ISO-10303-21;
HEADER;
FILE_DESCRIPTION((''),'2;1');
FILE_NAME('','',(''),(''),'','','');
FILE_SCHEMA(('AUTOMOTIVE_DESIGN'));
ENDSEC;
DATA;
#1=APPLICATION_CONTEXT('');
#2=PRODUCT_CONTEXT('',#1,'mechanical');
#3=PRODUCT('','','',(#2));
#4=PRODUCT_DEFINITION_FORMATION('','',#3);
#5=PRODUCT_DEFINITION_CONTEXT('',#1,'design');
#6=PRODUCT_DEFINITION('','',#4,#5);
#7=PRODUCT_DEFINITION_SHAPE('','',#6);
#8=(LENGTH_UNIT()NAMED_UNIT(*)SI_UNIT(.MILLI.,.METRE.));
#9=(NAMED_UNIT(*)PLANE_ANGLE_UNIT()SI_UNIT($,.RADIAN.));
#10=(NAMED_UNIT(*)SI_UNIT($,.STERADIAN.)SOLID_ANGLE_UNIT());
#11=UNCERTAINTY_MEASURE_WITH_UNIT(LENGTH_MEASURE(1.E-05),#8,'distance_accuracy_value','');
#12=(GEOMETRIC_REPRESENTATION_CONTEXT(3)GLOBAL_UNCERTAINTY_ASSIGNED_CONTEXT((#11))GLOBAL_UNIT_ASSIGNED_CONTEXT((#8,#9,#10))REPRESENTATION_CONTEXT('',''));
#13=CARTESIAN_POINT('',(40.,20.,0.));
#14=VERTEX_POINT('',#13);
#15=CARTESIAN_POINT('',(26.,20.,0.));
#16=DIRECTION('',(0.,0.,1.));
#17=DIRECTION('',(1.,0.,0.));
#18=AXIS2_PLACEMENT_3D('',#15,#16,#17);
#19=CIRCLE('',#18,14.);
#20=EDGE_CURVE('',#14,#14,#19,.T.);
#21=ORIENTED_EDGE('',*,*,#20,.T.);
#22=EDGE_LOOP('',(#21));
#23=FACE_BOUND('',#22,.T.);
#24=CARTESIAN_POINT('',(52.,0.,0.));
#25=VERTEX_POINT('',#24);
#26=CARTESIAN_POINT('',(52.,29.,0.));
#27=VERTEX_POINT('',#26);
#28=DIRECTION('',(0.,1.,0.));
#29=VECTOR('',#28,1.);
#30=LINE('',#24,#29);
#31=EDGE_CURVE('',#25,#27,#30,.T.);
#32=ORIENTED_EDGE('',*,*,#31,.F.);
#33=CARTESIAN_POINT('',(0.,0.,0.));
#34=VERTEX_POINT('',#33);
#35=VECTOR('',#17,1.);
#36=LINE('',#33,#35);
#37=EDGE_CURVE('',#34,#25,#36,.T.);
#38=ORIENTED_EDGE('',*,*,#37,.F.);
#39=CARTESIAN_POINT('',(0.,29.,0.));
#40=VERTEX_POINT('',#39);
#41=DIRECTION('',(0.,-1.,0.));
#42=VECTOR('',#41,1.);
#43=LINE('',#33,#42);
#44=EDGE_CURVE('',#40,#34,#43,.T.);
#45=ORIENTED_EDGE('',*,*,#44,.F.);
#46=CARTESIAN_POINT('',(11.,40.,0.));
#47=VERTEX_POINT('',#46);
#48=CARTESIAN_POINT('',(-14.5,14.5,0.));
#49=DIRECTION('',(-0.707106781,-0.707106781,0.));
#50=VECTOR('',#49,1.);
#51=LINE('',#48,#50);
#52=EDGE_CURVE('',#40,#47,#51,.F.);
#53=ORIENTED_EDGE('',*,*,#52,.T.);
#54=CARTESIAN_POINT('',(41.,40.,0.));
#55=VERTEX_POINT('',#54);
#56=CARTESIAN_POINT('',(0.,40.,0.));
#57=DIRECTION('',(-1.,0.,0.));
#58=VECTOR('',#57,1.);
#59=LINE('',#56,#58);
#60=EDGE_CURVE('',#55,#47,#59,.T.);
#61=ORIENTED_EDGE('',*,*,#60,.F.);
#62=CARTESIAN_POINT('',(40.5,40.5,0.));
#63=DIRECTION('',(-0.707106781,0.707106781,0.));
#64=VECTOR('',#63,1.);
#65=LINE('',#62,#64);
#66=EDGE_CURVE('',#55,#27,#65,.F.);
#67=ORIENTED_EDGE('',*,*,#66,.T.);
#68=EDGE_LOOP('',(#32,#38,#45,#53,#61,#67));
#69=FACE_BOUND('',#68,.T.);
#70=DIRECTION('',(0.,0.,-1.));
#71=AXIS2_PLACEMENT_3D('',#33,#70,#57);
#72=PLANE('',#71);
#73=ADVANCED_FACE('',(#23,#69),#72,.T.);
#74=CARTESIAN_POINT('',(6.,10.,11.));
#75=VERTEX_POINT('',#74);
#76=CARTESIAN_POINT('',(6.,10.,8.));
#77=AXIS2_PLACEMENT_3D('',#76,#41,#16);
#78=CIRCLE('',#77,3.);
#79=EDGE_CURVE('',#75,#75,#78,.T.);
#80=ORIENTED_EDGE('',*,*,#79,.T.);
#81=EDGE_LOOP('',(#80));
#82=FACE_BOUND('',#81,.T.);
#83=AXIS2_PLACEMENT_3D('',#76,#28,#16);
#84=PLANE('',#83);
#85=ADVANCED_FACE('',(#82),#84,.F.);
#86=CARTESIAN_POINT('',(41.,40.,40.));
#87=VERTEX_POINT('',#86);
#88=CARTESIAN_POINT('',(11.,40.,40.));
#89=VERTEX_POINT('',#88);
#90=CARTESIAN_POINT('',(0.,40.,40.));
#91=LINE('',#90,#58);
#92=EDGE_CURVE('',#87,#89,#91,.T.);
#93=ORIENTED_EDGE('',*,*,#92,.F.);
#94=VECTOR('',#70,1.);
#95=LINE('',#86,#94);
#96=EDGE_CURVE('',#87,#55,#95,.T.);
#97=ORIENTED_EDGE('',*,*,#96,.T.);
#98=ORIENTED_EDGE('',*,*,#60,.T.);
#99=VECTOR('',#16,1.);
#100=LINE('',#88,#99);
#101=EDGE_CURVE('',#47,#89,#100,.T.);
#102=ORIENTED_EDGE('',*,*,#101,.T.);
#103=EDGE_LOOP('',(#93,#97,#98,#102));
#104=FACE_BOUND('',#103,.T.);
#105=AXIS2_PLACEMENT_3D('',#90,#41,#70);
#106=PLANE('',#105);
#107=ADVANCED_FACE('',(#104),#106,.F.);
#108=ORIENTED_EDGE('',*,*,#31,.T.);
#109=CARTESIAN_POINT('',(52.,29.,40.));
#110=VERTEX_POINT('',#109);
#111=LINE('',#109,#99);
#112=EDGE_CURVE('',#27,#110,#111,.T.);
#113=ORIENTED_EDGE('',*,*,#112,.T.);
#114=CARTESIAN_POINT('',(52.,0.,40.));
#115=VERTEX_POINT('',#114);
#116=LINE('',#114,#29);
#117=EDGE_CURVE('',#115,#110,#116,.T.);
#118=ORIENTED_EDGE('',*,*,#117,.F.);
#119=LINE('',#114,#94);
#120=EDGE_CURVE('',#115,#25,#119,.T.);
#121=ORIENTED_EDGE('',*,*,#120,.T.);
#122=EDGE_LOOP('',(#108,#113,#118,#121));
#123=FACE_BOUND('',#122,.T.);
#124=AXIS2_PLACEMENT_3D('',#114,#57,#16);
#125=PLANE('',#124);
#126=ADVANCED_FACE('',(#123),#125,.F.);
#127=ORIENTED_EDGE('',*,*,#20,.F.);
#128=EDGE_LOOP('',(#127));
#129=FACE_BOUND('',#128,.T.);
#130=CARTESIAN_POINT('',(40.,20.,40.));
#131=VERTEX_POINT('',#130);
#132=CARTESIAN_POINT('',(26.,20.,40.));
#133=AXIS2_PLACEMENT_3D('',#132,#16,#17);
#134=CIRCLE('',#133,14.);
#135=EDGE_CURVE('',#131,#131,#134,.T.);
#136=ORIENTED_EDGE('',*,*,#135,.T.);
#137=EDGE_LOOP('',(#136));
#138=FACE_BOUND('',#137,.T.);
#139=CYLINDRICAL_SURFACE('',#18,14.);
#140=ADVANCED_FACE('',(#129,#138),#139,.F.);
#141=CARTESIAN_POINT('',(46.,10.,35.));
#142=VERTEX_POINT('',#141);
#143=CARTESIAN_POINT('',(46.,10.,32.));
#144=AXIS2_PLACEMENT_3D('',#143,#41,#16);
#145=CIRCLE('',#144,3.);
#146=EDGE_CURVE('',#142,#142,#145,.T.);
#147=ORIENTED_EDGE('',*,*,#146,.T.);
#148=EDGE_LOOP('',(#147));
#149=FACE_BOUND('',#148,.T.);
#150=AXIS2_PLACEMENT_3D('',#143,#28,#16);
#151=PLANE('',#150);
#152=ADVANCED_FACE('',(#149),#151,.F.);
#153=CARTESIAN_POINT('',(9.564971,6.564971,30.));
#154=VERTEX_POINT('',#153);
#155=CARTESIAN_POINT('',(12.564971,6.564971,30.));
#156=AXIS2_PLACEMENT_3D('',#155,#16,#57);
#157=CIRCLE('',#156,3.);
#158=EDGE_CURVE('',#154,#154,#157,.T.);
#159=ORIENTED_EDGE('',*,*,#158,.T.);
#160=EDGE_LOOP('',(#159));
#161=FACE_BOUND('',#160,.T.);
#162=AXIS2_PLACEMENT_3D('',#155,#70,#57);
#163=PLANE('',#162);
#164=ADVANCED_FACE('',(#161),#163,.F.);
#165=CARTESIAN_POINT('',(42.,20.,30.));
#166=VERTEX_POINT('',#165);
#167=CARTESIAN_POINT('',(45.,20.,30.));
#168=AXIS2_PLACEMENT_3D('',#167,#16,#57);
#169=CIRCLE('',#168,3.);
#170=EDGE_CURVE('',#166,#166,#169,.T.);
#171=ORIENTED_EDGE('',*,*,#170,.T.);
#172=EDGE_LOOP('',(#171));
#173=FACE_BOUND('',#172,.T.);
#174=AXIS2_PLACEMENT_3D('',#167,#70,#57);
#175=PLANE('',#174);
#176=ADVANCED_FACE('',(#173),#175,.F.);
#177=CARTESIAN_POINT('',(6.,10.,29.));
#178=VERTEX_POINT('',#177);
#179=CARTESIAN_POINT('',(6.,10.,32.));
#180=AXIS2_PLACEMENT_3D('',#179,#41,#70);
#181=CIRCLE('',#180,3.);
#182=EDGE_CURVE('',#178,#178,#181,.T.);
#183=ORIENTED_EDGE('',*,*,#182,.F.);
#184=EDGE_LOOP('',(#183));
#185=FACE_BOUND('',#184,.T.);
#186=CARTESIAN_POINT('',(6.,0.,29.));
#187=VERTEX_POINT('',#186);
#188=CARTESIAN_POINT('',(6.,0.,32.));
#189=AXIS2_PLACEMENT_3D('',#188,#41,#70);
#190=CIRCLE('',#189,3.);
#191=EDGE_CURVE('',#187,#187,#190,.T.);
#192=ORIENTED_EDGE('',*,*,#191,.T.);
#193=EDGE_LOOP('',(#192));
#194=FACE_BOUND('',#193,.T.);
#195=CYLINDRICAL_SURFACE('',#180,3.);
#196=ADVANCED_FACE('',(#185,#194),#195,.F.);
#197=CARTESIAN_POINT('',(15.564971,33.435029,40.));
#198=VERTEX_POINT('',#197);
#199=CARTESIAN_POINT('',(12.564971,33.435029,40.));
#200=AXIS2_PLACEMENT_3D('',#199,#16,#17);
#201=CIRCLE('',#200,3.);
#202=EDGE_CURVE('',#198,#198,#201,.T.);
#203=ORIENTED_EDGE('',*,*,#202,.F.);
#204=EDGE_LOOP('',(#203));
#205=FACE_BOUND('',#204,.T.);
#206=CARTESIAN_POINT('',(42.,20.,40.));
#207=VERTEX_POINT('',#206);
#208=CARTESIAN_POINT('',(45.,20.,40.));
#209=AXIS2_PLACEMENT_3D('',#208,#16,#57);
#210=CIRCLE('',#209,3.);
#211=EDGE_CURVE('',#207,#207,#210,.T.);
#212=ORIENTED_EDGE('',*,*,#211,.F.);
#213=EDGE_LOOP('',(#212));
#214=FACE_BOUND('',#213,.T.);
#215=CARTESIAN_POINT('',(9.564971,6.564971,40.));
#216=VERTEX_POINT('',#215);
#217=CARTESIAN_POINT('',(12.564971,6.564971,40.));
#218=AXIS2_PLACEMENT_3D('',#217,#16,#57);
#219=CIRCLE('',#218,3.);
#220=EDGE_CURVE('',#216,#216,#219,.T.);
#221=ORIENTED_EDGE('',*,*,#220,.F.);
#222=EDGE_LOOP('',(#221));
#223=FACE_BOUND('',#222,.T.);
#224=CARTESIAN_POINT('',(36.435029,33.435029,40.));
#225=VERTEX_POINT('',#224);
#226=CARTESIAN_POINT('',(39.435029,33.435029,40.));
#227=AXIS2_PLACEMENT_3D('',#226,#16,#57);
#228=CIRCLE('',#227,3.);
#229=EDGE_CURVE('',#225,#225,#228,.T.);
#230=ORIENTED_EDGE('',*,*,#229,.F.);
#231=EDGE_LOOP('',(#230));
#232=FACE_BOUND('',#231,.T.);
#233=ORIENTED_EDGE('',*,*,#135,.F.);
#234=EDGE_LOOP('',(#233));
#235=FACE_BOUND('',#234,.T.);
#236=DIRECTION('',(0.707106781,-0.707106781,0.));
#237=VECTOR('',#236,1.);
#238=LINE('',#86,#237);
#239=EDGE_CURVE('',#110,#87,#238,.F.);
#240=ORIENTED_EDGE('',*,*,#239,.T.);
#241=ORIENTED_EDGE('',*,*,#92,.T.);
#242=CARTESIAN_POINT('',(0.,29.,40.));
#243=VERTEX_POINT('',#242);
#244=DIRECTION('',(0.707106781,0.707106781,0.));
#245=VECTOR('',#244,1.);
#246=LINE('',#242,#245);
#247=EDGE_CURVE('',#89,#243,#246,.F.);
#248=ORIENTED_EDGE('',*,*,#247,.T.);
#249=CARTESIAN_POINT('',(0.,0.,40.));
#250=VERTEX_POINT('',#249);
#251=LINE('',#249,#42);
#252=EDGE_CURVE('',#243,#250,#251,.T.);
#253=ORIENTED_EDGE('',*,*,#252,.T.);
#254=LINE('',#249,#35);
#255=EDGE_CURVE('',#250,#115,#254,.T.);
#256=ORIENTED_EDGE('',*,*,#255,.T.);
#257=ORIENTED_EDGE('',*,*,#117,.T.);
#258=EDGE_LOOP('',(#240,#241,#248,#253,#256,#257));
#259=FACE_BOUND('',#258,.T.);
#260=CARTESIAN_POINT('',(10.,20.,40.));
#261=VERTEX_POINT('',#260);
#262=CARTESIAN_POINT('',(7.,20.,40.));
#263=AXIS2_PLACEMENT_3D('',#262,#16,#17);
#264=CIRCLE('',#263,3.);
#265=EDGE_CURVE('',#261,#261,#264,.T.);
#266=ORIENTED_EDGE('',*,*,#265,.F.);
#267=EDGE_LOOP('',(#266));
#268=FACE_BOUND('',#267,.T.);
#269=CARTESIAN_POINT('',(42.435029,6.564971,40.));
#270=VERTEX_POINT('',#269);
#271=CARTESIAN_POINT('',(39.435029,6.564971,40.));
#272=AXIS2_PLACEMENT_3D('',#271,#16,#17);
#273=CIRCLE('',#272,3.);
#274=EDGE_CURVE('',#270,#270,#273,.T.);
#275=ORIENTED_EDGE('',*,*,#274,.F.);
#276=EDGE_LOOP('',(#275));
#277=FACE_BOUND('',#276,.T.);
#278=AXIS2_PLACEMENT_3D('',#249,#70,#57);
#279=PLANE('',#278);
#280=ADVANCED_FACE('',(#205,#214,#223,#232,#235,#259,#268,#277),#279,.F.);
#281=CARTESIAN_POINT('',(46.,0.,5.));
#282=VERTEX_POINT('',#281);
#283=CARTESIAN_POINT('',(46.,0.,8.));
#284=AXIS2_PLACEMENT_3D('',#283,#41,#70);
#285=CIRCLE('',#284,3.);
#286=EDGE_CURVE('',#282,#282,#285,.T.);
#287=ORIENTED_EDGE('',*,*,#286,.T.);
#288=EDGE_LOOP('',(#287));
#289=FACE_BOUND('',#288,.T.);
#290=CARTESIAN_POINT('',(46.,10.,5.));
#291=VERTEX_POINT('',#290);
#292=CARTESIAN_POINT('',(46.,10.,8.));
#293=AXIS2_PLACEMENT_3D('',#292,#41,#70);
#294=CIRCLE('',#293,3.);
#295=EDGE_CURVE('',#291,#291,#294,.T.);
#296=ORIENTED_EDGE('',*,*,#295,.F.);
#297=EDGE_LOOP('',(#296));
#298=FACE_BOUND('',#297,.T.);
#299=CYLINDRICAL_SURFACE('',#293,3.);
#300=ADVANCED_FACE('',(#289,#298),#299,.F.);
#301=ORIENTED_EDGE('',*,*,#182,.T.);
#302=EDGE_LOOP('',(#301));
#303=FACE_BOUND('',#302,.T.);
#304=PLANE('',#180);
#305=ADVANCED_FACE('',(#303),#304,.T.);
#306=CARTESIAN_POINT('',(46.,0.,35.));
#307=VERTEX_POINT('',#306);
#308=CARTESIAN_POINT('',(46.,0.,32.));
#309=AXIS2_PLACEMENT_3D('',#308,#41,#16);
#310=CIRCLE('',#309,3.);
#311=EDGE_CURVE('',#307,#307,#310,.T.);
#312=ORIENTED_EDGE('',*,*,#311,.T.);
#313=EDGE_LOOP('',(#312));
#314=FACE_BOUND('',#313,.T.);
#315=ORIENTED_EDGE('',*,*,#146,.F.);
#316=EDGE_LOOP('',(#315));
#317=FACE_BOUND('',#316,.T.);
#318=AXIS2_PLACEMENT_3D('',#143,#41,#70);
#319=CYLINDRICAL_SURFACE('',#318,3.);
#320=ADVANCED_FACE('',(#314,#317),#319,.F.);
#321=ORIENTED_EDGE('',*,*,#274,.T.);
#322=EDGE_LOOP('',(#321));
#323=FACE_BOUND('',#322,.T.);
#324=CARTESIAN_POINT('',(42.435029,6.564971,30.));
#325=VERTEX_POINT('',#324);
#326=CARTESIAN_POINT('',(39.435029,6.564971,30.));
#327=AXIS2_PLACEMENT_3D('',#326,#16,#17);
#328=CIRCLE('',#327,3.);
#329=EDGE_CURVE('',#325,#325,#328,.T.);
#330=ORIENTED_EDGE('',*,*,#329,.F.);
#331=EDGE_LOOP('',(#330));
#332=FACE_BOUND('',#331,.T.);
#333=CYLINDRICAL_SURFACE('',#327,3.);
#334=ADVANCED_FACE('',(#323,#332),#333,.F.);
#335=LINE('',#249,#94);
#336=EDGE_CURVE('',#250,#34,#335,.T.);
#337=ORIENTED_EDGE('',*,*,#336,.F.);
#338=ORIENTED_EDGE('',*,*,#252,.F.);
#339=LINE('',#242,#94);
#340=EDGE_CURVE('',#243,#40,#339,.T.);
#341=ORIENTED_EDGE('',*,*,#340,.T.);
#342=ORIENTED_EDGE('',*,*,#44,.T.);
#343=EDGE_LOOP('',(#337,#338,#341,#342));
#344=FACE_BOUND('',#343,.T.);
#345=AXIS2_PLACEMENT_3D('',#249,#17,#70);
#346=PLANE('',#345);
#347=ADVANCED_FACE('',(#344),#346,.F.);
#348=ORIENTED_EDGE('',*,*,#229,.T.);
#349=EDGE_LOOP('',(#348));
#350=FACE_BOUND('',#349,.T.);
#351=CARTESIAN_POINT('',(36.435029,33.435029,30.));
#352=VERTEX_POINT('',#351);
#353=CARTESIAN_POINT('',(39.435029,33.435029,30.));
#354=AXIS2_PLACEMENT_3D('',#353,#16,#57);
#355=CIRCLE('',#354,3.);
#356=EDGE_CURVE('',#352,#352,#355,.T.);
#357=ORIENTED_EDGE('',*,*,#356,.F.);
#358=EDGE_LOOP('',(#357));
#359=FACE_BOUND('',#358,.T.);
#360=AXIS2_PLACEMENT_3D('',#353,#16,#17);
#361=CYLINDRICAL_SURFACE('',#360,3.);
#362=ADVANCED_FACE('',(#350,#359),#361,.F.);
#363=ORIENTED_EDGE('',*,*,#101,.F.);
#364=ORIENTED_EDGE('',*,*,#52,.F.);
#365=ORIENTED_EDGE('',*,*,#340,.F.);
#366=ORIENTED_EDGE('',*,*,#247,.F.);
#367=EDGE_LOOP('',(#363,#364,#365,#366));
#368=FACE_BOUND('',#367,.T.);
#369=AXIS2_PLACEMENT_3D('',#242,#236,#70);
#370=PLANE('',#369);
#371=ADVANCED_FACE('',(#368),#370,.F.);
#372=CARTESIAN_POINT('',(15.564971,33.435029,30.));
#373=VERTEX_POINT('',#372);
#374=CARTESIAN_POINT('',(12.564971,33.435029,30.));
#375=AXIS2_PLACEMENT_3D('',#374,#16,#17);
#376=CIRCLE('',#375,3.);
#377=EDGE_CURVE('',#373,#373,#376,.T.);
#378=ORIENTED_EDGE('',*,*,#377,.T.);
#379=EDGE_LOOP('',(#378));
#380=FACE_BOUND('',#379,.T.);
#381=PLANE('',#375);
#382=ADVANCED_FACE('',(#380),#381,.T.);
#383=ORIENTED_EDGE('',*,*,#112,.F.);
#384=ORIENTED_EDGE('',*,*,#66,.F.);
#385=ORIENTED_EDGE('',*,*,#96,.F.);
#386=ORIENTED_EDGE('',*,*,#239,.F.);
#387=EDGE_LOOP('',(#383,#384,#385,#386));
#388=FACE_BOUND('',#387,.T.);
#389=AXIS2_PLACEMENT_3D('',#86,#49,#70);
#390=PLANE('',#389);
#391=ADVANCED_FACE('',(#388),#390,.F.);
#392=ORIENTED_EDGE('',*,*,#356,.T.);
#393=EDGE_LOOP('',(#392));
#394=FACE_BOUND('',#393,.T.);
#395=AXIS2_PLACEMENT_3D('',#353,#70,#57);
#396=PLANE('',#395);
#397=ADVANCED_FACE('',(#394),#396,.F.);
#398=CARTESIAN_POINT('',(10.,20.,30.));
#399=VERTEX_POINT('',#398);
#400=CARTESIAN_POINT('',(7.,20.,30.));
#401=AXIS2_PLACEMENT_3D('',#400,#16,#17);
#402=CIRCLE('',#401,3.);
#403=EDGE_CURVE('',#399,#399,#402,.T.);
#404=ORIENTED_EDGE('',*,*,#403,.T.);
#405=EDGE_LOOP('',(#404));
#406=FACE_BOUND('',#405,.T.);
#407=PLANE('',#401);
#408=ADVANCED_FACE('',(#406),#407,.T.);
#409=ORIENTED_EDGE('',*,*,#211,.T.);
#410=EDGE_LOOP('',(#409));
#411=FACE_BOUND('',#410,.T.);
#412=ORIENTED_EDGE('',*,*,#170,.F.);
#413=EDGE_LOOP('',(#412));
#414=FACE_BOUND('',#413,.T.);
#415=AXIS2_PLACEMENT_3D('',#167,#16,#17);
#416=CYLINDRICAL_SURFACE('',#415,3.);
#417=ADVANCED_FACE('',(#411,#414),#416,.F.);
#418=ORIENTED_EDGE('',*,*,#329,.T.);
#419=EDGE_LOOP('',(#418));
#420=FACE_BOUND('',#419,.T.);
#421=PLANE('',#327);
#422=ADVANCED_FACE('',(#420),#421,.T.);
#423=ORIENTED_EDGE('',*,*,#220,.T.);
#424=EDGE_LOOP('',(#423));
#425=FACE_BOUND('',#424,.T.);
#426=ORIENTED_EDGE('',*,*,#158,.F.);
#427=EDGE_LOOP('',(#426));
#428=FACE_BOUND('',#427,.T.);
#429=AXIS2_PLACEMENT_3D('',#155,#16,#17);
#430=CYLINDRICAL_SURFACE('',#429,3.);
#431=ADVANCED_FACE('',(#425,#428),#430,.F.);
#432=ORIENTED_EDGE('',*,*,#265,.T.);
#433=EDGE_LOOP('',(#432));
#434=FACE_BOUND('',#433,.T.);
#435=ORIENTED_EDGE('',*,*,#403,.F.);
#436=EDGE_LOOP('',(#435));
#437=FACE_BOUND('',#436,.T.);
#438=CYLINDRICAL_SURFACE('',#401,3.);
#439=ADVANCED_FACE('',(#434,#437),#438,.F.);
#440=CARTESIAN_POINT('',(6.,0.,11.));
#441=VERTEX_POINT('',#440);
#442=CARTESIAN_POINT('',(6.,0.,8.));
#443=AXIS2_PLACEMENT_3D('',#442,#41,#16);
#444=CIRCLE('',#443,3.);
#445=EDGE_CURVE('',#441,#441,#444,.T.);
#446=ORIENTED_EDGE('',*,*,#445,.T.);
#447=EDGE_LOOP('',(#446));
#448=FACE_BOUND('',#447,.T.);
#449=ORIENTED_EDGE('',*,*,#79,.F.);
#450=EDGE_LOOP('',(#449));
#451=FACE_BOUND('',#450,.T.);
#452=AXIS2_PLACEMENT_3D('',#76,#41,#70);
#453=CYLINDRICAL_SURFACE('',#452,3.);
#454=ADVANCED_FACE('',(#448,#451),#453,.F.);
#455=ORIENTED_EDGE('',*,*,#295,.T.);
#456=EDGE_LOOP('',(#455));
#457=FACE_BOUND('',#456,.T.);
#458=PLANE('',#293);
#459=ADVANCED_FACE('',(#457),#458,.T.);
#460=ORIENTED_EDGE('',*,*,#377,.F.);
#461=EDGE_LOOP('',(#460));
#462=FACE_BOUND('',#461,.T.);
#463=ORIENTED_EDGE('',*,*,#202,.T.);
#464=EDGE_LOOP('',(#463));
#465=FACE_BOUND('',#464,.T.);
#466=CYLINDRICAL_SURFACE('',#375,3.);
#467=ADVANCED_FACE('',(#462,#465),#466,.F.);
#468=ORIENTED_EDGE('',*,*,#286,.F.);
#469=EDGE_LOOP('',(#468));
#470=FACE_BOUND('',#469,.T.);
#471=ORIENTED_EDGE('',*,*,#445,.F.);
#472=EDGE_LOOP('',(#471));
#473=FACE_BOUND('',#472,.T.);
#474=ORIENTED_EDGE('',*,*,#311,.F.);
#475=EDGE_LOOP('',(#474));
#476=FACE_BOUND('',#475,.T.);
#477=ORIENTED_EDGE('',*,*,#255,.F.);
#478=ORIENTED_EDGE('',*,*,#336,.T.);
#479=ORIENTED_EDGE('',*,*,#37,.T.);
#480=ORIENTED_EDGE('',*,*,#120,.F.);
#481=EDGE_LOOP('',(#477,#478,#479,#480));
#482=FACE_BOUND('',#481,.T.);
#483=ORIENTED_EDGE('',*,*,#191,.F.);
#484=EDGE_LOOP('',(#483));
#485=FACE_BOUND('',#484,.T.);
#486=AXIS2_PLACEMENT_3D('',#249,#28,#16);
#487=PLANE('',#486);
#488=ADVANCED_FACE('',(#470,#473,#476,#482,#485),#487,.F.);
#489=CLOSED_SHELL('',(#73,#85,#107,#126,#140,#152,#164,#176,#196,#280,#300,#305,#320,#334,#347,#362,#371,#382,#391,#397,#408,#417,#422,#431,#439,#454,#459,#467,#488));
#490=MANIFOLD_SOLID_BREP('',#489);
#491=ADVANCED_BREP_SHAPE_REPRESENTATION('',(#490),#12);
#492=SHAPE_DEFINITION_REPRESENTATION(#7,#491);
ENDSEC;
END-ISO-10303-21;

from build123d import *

# Parameters (mm, degrees)
ESQUISSE1_W             = 52
ESQUISSE1_H             = 40
BOSS_EXTRU_1_DEPTH      = 40
ESQUISSE2_R             = 14
ENL_V_MAT_EXTRU_1_DEPTH = 40
ESQUISSE3_R             = 3
ENL_V_MAT_EXTRU_2_DEPTH = 10
CHANFREIN1_SIZE         = 11
ESQUISSE4_R             = 3
ENL_V_MAT_EXTRU_3_DEPTH = 10


with BuildPart() as part:
    # Esquisse1 → Boss.-Extru.1 (new body)
    with BuildSketch(Plane.XY):
        with Locations((26, 20)):
            Rectangle(ESQUISSE1_W, ESQUISSE1_H)
    extrude(amount=BOSS_EXTRU_1_DEPTH)

    # Esquisse2 → Enlèv. mat.-Extru.1 (cut)
    with BuildSketch(Plane.XY.offset(40)):
        with Locations((26, 20)):
            Circle(ESQUISSE2_R)
    extrude(amount=-ENL_V_MAT_EXTRU_1_DEPTH, mode=Mode.SUBTRACT)

    # Esquisse3 → Enlèv. mat.-Extru.2 (cut)
    with BuildSketch(Plane.XY.offset(40)):
        with Locations((7, 20)):
            Circle(ESQUISSE3_R)
        with Locations((12.564971157, 33.435028843)):
            Circle(ESQUISSE3_R)
        with Locations(Location((12.564971157, 6.564971157, 0), (0, 0, 180))):
            Circle(ESQUISSE3_R)
        with Locations((39.435028843, 6.564971157)):
            Circle(ESQUISSE3_R)
        with Locations(Location((39.435028843, 33.435028843, 0), (0, 0, 180))):
            Circle(ESQUISSE3_R)
        with Locations(Location((45, 20, 0), (0, 0, 180))):
            Circle(ESQUISSE3_R)
    extrude(amount=-ENL_V_MAT_EXTRU_2_DEPTH, mode=Mode.SUBTRACT)

    # Chanfrein1
    chanfrein1_edges = [part.edges().sort_by_distance(p)[0] for p in [
        (0, 40, 20),
        (52, 40, 20),
    ]]
    chamfer(chanfrein1_edges, length=CHANFREIN1_SIZE)

    # Esquisse4 → Enlèv. mat.-Extru.3 (cut)
    with BuildSketch(Plane.XZ):
        with Locations(Location((6, 32, 0), (0, 0, 270))):
            Circle(ESQUISSE4_R)
        with Locations(Location((6, 8, 0), (0, 0, 90))):
            Circle(ESQUISSE4_R)
        with Locations(Location((46, 8, 0), (0, 0, 270))):
            Circle(ESQUISSE4_R)
        with Locations(Location((46, 32, 0), (0, 0, 90))):
            Circle(ESQUISSE4_R)
    extrude(amount=-ENL_V_MAT_EXTRU_3_DEPTH, mode=Mode.SUBTRACT)


solid = part.part
